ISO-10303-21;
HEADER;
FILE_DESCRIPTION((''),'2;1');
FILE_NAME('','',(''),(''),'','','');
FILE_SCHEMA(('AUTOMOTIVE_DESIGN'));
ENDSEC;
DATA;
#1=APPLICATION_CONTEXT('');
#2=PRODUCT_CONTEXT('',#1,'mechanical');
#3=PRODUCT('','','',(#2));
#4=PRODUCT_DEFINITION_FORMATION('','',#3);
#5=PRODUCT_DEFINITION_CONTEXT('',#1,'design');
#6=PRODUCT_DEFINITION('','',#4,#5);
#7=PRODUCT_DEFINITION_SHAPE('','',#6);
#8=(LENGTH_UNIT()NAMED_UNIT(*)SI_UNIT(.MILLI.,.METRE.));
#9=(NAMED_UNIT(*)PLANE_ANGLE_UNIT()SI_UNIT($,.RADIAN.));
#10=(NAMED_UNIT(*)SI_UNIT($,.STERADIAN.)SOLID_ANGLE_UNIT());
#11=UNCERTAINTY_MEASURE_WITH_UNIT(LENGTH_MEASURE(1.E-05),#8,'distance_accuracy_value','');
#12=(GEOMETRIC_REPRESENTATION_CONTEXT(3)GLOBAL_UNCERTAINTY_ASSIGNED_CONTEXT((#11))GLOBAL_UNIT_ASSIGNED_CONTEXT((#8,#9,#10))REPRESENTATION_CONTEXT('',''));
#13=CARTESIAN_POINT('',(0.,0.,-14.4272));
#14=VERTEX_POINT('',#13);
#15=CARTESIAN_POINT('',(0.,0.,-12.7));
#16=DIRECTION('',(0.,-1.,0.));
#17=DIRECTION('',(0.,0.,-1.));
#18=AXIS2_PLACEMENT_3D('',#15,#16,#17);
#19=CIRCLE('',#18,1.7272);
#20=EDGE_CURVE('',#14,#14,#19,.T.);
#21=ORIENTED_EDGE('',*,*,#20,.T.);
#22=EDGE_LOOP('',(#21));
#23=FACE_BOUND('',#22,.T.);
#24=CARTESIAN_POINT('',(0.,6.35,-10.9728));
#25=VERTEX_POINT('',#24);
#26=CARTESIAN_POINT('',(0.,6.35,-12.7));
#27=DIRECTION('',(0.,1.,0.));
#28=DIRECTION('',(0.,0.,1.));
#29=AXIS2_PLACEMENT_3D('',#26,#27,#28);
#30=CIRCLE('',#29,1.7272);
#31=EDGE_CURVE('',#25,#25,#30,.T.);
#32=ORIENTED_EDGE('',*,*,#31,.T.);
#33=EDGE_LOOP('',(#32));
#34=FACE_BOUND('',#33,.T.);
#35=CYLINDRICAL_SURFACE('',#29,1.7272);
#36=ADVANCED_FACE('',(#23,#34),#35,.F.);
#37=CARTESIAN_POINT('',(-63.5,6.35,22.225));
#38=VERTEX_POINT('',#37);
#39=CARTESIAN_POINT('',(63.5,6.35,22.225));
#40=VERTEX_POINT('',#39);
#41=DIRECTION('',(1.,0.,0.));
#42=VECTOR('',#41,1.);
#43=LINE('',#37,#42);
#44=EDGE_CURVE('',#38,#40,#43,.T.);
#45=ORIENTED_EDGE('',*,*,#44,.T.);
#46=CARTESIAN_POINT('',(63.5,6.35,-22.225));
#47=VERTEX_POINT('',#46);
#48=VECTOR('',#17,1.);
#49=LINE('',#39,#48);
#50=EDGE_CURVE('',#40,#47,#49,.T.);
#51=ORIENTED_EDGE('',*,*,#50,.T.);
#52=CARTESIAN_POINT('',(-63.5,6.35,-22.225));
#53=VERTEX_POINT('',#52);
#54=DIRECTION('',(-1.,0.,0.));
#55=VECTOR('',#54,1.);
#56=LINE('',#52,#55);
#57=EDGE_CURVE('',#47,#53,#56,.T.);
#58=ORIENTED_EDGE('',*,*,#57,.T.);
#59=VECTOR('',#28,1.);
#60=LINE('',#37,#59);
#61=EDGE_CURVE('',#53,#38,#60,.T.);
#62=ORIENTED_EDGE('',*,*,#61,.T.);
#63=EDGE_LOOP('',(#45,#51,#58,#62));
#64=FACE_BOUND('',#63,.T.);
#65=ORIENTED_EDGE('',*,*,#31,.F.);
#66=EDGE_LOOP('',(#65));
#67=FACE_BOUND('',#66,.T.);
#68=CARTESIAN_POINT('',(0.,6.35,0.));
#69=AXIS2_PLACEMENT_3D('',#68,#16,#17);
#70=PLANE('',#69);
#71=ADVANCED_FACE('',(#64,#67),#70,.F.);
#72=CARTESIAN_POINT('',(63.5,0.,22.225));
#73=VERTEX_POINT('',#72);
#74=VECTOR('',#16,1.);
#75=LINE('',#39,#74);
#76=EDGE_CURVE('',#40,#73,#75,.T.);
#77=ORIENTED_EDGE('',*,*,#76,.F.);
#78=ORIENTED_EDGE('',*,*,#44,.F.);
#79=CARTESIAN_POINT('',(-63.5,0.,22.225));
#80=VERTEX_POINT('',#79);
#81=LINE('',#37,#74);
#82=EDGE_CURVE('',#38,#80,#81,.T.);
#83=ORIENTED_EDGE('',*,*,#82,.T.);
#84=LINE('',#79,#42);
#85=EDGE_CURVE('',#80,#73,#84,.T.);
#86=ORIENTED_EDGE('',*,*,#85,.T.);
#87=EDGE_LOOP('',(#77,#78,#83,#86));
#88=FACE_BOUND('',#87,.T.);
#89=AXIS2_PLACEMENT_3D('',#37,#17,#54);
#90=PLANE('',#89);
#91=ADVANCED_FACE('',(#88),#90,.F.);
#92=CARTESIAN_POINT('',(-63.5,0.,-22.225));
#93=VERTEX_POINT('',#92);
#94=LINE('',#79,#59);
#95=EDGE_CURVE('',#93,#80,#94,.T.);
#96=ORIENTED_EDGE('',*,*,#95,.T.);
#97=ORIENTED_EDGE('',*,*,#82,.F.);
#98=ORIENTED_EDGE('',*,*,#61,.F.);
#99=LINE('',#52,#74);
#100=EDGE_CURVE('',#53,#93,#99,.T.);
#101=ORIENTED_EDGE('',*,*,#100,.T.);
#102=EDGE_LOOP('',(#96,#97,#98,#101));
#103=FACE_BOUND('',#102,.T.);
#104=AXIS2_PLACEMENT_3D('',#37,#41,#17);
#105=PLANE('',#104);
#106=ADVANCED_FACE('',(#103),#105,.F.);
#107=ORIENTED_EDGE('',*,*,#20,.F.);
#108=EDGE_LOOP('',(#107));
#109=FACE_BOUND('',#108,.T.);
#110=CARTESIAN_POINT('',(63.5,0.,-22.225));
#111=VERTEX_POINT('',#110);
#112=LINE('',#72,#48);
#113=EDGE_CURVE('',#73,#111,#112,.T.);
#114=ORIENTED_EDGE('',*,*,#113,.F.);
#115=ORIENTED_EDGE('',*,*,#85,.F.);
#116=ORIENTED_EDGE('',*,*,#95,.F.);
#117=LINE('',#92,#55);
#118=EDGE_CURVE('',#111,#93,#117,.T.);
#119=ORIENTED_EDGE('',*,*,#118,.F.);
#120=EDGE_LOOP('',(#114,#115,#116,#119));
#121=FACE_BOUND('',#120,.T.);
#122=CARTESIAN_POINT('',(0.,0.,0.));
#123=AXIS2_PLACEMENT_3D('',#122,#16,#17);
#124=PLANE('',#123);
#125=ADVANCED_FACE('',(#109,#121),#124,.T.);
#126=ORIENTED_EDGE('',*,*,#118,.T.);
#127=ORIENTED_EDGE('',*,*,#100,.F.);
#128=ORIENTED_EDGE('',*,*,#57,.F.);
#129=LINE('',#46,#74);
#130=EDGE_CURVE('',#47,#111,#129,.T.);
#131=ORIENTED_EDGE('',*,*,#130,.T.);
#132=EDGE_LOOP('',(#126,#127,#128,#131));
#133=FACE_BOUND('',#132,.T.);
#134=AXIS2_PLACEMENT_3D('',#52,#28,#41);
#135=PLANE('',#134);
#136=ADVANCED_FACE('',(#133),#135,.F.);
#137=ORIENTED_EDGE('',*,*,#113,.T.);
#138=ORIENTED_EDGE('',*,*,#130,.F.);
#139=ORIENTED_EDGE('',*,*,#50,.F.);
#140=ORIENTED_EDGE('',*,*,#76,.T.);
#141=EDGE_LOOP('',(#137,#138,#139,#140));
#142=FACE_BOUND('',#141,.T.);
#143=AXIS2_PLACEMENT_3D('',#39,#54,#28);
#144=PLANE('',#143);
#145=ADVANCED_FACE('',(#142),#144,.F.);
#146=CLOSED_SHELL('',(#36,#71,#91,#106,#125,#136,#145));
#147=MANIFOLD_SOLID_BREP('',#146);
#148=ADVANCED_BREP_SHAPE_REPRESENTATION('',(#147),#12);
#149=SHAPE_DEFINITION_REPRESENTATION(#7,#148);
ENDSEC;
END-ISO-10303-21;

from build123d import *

# Parameters (mm, degrees)
SKETCH1_W                 = 127
SKETCH1_H                 = 44.45
BOSS_EXTRUDE1_DEPTH       = 6.35
F_8_32_TAPPED_HOLE1_D     = 3.4544
F_8_32_TAPPED_HOLE1_DEPTH = 12.446
F_8_32_TAPPED_HOLE1_TIP   = 1.037806461


with BuildPart() as part:
    # Sketch1 → Boss-Extrude1 (new body)
    with BuildSketch(Plane(origin=(0, 0, 0), x_dir=(1, 0, 0), z_dir=(0, 1, 0))):
        Rectangle(SKETCH1_W, SKETCH1_H)
    extrude(amount=BOSS_EXTRUDE1_DEPTH)

    # #8-32 Tapped Hole1
    with Locations(Plane(origin=(0, 6.35, -12.7), x_dir=(0, 0, 1), z_dir=(0, 1, 0))):
        with Locations((0, 0)):
            Hole(F_8_32_TAPPED_HOLE1_D / 2, depth=F_8_32_TAPPED_HOLE1_DEPTH)
            with Locations((0, 0, -(F_8_32_TAPPED_HOLE1_DEPTH + F_8_32_TAPPED_HOLE1_TIP / 2))):  # 118° drill point
                Cone(0, F_8_32_TAPPED_HOLE1_D / 2, F_8_32_TAPPED_HOLE1_TIP, mode=Mode.SUBTRACT)


solid = part.part
